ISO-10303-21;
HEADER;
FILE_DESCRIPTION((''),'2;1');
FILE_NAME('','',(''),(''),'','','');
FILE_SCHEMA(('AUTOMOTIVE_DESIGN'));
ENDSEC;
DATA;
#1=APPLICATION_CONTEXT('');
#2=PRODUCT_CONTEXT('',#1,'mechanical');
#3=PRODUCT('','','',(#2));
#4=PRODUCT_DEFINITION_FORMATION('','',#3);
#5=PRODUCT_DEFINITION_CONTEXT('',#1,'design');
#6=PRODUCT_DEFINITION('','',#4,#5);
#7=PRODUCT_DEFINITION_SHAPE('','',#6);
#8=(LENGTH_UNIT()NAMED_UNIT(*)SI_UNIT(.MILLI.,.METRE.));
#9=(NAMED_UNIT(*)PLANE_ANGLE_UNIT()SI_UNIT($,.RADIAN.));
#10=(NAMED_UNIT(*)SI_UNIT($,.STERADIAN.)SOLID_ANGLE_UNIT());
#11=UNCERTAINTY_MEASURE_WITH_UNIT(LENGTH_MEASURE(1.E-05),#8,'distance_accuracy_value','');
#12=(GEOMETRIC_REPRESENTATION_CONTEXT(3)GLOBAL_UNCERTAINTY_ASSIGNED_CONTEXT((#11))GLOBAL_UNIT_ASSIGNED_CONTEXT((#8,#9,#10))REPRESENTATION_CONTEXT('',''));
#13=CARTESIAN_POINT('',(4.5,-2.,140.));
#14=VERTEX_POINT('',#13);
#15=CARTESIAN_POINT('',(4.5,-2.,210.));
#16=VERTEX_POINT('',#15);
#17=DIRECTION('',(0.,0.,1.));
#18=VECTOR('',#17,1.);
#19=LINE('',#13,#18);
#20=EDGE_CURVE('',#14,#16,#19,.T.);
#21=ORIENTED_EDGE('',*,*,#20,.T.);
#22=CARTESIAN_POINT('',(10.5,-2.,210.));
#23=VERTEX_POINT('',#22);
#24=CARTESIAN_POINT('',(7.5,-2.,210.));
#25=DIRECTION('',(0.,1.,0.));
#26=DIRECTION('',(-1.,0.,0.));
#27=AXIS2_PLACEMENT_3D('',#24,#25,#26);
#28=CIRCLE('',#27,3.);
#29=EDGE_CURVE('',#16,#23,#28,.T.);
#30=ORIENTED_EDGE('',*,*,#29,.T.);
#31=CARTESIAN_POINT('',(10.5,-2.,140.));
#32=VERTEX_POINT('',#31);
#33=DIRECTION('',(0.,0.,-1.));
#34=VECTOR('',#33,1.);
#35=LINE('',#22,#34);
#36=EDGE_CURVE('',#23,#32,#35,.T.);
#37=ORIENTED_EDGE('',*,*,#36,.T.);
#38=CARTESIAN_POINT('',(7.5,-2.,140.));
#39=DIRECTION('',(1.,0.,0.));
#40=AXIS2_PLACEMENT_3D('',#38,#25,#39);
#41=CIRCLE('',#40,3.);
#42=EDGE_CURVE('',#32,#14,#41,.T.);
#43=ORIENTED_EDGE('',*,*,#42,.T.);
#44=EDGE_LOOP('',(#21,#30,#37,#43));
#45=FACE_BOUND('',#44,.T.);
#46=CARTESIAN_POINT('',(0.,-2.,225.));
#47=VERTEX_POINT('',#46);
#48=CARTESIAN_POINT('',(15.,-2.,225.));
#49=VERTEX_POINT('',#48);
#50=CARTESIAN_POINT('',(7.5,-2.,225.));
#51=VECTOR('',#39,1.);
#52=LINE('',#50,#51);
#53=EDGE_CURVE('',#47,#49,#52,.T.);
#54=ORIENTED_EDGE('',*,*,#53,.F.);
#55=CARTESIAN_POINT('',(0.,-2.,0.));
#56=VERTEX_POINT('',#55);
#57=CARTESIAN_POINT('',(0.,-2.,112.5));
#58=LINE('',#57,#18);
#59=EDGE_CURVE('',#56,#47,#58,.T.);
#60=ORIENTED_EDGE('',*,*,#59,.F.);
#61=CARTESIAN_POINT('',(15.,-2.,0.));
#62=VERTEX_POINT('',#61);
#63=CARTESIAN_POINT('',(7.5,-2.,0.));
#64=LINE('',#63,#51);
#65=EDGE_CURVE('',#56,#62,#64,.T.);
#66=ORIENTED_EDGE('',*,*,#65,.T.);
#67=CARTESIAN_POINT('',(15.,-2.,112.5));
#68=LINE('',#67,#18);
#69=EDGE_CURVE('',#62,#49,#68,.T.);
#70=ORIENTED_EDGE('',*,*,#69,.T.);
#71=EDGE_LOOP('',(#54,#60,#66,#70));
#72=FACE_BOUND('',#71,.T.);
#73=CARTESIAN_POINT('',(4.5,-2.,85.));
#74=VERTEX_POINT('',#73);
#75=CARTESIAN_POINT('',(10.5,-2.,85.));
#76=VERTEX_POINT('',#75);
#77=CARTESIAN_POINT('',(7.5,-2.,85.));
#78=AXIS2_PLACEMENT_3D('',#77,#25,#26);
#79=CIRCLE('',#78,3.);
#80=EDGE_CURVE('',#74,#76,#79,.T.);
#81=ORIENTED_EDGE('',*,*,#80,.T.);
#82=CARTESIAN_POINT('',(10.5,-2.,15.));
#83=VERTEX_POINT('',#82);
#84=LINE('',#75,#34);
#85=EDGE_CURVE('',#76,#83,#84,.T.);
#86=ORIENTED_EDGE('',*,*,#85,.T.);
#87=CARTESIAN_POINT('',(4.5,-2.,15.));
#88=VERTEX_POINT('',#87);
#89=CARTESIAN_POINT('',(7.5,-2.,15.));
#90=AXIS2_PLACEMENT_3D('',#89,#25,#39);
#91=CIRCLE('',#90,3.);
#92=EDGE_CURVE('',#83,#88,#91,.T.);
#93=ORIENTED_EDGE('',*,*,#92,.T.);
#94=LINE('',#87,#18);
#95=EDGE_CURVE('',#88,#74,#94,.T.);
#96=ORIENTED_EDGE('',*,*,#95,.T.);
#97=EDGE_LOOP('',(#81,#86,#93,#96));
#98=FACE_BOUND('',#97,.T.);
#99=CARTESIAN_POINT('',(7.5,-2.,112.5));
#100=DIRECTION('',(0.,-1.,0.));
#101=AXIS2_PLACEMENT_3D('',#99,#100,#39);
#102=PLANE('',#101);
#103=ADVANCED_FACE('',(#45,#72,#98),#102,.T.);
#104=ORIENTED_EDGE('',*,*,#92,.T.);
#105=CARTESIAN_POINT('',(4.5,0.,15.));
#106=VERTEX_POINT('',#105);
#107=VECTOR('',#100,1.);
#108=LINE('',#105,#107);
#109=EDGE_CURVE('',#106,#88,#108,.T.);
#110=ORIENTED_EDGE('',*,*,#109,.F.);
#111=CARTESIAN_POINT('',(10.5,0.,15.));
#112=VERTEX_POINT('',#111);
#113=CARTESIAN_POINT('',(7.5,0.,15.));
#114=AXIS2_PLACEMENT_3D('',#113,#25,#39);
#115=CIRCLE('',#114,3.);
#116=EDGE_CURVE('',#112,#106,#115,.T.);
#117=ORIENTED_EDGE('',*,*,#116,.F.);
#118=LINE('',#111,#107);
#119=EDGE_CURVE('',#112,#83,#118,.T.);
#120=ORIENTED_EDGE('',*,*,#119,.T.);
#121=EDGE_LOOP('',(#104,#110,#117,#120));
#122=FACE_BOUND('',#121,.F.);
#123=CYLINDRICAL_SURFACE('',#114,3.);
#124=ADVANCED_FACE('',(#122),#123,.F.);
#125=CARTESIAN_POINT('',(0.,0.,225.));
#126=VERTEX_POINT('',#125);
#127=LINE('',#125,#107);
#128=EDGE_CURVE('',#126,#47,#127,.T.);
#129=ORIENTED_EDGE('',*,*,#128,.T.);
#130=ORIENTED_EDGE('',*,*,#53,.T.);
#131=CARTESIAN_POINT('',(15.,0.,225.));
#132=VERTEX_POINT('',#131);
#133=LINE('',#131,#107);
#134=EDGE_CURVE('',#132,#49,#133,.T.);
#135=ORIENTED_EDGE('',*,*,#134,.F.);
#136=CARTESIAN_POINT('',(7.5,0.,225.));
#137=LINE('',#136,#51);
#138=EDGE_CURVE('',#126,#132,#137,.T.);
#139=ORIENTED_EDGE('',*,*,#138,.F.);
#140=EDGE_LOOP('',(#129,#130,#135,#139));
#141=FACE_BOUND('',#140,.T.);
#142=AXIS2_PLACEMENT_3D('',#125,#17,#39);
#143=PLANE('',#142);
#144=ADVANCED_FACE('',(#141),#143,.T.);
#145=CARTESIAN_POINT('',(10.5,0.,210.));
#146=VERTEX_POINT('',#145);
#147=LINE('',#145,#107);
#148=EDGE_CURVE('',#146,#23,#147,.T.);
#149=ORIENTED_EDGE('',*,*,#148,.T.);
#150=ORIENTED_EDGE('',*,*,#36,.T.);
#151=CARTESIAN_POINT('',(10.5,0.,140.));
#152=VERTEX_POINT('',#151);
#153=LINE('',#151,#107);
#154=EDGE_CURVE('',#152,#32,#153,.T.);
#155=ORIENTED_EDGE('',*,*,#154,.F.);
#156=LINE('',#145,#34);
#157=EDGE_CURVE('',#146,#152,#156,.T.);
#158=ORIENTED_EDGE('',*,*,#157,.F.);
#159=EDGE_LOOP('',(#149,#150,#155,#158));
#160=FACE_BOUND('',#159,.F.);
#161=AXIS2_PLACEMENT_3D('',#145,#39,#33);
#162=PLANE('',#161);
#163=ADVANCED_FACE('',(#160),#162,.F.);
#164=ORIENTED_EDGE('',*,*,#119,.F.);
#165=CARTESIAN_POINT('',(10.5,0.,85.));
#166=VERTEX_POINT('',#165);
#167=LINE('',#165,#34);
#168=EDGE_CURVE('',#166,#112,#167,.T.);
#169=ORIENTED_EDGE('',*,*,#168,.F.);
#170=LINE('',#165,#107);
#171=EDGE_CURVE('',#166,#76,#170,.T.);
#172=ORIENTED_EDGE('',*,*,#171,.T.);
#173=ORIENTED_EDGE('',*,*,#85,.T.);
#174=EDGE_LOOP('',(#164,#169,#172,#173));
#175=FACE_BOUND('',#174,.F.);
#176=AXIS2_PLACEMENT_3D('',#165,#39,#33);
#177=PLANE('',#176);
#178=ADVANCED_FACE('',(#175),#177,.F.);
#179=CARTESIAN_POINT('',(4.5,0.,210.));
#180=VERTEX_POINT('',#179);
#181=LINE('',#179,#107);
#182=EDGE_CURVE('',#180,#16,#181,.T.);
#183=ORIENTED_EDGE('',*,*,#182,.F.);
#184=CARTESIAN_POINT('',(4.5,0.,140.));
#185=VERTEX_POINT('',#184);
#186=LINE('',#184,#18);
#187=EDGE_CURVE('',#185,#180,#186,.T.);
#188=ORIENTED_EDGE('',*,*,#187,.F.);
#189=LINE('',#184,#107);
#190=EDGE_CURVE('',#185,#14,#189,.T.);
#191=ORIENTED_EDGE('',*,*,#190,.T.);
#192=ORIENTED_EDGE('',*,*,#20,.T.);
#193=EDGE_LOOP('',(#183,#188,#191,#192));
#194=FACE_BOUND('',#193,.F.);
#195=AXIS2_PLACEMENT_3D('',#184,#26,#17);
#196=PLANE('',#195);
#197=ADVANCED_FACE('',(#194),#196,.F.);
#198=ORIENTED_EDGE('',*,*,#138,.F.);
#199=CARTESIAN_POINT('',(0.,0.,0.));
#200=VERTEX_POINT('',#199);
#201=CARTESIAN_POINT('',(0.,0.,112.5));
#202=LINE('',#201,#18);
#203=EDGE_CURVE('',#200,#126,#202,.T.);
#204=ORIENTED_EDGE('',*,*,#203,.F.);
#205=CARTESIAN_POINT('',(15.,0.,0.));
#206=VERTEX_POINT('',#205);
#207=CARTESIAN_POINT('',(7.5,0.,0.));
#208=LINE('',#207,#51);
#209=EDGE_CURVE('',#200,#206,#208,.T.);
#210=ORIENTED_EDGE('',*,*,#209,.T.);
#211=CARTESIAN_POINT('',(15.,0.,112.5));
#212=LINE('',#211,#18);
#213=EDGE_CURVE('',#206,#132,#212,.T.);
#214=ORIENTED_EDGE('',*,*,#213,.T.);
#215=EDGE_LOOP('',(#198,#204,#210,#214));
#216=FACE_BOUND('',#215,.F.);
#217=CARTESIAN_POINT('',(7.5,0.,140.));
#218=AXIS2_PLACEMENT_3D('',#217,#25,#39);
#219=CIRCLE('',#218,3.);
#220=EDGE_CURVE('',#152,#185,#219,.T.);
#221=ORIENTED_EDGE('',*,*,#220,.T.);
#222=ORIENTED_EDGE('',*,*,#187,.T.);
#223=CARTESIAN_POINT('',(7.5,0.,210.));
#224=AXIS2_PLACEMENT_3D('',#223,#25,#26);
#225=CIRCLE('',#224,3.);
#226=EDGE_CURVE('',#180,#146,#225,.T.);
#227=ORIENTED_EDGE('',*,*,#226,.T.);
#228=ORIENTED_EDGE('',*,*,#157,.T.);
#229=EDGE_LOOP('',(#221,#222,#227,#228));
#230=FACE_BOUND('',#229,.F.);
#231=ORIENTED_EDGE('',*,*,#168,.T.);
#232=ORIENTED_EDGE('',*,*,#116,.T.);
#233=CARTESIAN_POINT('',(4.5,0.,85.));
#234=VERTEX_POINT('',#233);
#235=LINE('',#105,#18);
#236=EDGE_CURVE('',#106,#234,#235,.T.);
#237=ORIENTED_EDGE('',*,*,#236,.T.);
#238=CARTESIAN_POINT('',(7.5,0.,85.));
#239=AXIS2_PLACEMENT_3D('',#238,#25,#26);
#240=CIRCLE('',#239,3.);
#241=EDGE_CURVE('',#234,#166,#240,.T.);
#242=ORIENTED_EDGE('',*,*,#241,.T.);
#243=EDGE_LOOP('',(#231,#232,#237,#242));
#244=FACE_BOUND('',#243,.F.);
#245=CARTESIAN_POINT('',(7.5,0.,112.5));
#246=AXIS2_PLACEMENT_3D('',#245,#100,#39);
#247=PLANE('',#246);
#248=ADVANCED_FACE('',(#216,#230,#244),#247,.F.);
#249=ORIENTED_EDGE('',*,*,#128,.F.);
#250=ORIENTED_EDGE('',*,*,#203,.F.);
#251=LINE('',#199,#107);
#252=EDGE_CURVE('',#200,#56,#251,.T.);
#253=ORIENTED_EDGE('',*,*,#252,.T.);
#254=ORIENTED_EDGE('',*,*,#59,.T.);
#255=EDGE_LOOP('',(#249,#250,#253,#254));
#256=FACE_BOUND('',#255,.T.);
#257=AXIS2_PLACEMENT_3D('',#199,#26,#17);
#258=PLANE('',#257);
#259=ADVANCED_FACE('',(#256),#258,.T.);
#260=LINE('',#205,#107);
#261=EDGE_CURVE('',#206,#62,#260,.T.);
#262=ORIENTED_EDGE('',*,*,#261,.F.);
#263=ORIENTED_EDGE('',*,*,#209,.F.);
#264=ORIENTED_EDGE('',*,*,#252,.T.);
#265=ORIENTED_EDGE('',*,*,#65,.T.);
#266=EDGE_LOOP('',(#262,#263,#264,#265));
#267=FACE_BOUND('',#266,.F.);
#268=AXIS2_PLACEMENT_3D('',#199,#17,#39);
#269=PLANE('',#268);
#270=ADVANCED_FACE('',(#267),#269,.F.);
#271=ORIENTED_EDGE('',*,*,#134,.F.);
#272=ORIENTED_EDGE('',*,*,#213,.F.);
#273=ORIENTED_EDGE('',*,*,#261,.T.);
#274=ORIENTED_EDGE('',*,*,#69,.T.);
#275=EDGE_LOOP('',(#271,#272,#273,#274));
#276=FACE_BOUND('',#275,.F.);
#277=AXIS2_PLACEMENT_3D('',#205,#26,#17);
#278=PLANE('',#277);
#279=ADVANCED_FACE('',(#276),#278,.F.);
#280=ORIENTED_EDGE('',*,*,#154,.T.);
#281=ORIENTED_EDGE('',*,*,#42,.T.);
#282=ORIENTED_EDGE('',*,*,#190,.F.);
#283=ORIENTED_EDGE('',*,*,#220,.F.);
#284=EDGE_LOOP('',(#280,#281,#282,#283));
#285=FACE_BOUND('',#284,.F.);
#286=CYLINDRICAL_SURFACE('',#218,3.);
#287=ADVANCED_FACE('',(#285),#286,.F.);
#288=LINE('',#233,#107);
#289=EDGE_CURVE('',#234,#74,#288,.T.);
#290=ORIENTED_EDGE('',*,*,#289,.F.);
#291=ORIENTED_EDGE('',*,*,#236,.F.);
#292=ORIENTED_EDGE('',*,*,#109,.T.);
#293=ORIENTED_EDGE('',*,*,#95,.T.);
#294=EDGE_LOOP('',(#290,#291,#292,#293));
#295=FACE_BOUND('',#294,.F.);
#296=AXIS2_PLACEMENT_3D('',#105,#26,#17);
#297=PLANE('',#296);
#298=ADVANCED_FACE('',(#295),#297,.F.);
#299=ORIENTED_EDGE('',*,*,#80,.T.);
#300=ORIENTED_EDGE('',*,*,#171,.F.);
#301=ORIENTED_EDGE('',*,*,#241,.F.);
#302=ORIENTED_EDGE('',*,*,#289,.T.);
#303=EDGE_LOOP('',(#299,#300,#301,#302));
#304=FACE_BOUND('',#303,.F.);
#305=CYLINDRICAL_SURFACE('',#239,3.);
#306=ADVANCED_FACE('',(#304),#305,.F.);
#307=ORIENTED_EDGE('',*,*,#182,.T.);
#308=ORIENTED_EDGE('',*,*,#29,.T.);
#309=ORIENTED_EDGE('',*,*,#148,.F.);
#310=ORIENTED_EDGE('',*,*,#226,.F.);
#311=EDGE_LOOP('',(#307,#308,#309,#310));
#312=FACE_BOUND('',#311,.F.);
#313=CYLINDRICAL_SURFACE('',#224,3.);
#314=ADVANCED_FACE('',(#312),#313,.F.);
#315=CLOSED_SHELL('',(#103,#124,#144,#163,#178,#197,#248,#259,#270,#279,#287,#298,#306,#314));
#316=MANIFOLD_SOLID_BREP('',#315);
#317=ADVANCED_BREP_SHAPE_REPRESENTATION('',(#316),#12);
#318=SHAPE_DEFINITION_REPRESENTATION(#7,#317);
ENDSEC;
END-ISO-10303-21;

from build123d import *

# Parameters (mm, degrees)
F0_W     = 15
F0_H     = 225
F1_DEPTH = 2


with BuildPart() as f1:
    # F0 (on Front) → F1 (new body)
    with BuildSketch(Plane.XZ):
        with Locations((7.5, 112.5)):
            Rectangle(F0_W, F0_H)
        with BuildLine():
            Line((4.5, 15), (4.5, 85))
            ThreePointArc((4.5, 85), (7.5, 88), (10.5, 85))
            Line((10.5, 85), (10.5, 15))
            ThreePointArc((10.5, 15), (7.5, 12), (4.5, 15))
        make_face(mode=Mode.SUBTRACT)
        with BuildLine():
            ThreePointArc((4.5, 210), (7.5, 213), (10.5, 210))
            Line((10.5, 210), (10.5, 140))
            ThreePointArc((10.5, 140), (7.5, 137), (4.5, 140))
            Line((4.5, 140), (4.5, 210))
        make_face(mode=Mode.SUBTRACT)
    extrude(amount=F1_DEPTH)


solid = f1.part
